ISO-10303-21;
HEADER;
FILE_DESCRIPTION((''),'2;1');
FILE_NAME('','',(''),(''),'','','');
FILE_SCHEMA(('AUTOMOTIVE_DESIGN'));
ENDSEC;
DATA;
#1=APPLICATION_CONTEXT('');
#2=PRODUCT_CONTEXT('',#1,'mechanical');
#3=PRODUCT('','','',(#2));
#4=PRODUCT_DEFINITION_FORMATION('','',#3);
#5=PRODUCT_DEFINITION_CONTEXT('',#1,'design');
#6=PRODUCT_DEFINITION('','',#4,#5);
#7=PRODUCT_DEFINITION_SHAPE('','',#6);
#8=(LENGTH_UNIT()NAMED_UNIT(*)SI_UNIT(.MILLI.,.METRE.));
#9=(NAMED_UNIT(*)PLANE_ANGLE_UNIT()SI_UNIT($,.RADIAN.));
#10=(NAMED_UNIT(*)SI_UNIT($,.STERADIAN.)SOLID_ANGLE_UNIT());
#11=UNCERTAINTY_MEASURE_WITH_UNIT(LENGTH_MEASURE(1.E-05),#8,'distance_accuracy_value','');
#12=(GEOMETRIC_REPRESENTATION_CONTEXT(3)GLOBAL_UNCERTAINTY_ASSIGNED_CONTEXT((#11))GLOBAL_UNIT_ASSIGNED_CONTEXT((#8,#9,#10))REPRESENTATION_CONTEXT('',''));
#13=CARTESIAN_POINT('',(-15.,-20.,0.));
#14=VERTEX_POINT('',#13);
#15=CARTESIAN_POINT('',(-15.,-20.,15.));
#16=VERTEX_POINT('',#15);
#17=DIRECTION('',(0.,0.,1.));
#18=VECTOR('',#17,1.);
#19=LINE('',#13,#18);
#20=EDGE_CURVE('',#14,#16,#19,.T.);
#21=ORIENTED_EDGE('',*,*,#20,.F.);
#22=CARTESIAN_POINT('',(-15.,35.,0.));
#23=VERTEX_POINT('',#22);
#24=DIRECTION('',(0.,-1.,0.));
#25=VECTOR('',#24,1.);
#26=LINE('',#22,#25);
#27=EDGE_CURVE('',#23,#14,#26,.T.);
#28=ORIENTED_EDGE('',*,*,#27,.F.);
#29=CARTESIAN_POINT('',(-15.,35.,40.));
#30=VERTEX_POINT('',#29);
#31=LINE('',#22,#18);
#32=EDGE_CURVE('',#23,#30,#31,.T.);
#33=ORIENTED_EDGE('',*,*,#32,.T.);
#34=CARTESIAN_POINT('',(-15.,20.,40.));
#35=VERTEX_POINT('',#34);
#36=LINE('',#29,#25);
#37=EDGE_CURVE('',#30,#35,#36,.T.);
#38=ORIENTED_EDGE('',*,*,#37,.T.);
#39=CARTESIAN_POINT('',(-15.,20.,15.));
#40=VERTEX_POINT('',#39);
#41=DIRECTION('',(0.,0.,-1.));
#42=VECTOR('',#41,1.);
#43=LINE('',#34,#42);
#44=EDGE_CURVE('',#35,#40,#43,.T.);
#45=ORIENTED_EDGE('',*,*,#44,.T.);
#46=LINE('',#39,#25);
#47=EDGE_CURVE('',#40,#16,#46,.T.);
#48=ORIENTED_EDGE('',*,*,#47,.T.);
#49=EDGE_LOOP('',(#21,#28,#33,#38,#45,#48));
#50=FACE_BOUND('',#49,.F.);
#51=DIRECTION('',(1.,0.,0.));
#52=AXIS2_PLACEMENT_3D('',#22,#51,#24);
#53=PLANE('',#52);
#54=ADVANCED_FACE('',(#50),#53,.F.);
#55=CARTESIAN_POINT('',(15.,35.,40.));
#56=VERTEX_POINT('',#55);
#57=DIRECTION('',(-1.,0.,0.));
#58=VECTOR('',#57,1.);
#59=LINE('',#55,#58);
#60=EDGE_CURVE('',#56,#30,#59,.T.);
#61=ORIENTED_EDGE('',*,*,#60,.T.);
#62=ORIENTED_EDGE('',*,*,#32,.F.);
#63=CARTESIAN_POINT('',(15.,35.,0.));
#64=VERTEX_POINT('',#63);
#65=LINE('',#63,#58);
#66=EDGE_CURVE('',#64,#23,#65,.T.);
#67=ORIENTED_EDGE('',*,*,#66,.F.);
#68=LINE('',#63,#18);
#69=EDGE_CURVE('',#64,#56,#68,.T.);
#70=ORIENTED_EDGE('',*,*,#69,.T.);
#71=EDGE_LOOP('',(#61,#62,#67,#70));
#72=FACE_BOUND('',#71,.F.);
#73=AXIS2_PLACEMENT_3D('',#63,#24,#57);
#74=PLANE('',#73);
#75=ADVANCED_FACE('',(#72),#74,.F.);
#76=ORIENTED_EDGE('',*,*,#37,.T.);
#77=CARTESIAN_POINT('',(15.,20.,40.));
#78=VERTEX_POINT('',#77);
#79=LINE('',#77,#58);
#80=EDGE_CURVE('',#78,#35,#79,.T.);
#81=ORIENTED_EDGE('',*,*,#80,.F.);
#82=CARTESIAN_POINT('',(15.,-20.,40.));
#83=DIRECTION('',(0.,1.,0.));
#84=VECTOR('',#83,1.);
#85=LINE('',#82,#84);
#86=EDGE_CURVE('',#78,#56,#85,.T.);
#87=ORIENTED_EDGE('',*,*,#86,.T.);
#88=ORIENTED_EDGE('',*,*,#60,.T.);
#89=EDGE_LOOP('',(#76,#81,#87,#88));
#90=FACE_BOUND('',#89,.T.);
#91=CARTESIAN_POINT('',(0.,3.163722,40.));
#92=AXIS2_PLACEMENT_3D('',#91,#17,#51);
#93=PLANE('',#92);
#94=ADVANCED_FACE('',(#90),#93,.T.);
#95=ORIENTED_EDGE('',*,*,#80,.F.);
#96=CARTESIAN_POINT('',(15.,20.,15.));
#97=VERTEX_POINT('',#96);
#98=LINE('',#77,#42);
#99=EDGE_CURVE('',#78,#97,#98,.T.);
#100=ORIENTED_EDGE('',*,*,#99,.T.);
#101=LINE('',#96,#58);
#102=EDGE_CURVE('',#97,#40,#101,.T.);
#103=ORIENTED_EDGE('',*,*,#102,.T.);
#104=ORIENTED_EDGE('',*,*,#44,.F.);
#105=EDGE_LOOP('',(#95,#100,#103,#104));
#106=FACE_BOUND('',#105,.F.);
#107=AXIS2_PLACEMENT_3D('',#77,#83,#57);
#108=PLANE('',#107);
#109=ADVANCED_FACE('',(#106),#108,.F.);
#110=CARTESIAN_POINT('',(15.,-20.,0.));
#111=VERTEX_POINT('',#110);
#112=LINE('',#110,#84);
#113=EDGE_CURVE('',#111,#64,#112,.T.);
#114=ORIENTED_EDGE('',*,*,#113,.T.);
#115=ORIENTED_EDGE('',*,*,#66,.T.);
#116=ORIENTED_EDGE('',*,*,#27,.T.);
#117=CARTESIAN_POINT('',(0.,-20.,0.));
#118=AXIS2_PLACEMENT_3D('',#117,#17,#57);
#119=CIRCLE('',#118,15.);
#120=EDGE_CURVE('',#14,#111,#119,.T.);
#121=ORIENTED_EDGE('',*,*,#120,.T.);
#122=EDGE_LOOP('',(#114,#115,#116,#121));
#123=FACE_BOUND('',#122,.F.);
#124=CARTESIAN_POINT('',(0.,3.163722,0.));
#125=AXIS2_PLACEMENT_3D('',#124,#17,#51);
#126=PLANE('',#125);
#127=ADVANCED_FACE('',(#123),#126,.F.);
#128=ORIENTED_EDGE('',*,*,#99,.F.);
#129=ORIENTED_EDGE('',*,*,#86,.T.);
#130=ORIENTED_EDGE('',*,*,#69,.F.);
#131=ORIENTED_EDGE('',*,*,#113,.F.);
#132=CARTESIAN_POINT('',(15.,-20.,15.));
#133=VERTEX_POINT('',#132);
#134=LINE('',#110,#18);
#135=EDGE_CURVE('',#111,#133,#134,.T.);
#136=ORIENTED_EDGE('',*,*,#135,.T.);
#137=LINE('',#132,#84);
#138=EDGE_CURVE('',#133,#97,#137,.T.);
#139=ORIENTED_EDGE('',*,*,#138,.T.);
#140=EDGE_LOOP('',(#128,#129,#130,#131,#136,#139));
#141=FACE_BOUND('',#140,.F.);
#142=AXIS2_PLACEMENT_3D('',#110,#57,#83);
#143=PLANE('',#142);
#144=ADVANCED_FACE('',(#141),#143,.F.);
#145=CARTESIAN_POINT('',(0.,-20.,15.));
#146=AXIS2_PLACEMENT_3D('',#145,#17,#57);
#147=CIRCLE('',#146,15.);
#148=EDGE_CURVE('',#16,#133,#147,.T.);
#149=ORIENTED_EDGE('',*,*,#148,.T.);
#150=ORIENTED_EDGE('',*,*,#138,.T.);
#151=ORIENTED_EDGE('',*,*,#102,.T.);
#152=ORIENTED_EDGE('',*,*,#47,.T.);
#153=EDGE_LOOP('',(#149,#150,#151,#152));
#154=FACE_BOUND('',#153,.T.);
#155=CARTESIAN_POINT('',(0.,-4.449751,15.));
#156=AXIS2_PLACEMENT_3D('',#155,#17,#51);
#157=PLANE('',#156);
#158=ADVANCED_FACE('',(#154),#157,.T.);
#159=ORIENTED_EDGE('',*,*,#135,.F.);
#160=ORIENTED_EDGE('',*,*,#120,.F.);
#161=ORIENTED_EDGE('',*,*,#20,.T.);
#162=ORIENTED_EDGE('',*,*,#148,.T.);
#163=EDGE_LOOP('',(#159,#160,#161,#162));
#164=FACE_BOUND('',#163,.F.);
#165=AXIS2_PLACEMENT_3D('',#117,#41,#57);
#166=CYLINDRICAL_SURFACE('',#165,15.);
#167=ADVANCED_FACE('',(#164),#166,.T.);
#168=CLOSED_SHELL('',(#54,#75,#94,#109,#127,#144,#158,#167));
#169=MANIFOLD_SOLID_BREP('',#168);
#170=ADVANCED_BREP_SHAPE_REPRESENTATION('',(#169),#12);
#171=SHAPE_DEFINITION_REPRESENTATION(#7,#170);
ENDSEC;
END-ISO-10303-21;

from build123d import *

# Parameters (mm, degrees)
F1_DEPTH = 40
F3_DEPTH = 25


with BuildPart() as f1:
    # F0 (on Top) → F1 (new body)
    with BuildSketch(Plane.XY):
        with BuildLine():
            Line((15, -20), (15, 35))
            Line((15, 35), (-15, 35))
            Line((-15, 35), (-15, -20))
            ThreePointArc((-15, -20), (-10.6066017178, -30.6066017178), (0, -35))
            ThreePointArc((0, -35), (10.6066017178, -30.6066017178), (15, -20))
        make_face()
    extrude(amount=F1_DEPTH)

    # F2 (on face) → F3 (cut)
    with BuildSketch(Plane.XY.offset(40)):
        with BuildLine():
            Line((15, 20), (-15, 20))
            Line((-15, 20), (-15, -20))
            ThreePointArc((-15, -20), (0, -35), (15, -20))
            Line((15, -20), (15, 20))
        make_face()
    extrude(amount=-F3_DEPTH, mode=Mode.SUBTRACT)


solid = f1.part
